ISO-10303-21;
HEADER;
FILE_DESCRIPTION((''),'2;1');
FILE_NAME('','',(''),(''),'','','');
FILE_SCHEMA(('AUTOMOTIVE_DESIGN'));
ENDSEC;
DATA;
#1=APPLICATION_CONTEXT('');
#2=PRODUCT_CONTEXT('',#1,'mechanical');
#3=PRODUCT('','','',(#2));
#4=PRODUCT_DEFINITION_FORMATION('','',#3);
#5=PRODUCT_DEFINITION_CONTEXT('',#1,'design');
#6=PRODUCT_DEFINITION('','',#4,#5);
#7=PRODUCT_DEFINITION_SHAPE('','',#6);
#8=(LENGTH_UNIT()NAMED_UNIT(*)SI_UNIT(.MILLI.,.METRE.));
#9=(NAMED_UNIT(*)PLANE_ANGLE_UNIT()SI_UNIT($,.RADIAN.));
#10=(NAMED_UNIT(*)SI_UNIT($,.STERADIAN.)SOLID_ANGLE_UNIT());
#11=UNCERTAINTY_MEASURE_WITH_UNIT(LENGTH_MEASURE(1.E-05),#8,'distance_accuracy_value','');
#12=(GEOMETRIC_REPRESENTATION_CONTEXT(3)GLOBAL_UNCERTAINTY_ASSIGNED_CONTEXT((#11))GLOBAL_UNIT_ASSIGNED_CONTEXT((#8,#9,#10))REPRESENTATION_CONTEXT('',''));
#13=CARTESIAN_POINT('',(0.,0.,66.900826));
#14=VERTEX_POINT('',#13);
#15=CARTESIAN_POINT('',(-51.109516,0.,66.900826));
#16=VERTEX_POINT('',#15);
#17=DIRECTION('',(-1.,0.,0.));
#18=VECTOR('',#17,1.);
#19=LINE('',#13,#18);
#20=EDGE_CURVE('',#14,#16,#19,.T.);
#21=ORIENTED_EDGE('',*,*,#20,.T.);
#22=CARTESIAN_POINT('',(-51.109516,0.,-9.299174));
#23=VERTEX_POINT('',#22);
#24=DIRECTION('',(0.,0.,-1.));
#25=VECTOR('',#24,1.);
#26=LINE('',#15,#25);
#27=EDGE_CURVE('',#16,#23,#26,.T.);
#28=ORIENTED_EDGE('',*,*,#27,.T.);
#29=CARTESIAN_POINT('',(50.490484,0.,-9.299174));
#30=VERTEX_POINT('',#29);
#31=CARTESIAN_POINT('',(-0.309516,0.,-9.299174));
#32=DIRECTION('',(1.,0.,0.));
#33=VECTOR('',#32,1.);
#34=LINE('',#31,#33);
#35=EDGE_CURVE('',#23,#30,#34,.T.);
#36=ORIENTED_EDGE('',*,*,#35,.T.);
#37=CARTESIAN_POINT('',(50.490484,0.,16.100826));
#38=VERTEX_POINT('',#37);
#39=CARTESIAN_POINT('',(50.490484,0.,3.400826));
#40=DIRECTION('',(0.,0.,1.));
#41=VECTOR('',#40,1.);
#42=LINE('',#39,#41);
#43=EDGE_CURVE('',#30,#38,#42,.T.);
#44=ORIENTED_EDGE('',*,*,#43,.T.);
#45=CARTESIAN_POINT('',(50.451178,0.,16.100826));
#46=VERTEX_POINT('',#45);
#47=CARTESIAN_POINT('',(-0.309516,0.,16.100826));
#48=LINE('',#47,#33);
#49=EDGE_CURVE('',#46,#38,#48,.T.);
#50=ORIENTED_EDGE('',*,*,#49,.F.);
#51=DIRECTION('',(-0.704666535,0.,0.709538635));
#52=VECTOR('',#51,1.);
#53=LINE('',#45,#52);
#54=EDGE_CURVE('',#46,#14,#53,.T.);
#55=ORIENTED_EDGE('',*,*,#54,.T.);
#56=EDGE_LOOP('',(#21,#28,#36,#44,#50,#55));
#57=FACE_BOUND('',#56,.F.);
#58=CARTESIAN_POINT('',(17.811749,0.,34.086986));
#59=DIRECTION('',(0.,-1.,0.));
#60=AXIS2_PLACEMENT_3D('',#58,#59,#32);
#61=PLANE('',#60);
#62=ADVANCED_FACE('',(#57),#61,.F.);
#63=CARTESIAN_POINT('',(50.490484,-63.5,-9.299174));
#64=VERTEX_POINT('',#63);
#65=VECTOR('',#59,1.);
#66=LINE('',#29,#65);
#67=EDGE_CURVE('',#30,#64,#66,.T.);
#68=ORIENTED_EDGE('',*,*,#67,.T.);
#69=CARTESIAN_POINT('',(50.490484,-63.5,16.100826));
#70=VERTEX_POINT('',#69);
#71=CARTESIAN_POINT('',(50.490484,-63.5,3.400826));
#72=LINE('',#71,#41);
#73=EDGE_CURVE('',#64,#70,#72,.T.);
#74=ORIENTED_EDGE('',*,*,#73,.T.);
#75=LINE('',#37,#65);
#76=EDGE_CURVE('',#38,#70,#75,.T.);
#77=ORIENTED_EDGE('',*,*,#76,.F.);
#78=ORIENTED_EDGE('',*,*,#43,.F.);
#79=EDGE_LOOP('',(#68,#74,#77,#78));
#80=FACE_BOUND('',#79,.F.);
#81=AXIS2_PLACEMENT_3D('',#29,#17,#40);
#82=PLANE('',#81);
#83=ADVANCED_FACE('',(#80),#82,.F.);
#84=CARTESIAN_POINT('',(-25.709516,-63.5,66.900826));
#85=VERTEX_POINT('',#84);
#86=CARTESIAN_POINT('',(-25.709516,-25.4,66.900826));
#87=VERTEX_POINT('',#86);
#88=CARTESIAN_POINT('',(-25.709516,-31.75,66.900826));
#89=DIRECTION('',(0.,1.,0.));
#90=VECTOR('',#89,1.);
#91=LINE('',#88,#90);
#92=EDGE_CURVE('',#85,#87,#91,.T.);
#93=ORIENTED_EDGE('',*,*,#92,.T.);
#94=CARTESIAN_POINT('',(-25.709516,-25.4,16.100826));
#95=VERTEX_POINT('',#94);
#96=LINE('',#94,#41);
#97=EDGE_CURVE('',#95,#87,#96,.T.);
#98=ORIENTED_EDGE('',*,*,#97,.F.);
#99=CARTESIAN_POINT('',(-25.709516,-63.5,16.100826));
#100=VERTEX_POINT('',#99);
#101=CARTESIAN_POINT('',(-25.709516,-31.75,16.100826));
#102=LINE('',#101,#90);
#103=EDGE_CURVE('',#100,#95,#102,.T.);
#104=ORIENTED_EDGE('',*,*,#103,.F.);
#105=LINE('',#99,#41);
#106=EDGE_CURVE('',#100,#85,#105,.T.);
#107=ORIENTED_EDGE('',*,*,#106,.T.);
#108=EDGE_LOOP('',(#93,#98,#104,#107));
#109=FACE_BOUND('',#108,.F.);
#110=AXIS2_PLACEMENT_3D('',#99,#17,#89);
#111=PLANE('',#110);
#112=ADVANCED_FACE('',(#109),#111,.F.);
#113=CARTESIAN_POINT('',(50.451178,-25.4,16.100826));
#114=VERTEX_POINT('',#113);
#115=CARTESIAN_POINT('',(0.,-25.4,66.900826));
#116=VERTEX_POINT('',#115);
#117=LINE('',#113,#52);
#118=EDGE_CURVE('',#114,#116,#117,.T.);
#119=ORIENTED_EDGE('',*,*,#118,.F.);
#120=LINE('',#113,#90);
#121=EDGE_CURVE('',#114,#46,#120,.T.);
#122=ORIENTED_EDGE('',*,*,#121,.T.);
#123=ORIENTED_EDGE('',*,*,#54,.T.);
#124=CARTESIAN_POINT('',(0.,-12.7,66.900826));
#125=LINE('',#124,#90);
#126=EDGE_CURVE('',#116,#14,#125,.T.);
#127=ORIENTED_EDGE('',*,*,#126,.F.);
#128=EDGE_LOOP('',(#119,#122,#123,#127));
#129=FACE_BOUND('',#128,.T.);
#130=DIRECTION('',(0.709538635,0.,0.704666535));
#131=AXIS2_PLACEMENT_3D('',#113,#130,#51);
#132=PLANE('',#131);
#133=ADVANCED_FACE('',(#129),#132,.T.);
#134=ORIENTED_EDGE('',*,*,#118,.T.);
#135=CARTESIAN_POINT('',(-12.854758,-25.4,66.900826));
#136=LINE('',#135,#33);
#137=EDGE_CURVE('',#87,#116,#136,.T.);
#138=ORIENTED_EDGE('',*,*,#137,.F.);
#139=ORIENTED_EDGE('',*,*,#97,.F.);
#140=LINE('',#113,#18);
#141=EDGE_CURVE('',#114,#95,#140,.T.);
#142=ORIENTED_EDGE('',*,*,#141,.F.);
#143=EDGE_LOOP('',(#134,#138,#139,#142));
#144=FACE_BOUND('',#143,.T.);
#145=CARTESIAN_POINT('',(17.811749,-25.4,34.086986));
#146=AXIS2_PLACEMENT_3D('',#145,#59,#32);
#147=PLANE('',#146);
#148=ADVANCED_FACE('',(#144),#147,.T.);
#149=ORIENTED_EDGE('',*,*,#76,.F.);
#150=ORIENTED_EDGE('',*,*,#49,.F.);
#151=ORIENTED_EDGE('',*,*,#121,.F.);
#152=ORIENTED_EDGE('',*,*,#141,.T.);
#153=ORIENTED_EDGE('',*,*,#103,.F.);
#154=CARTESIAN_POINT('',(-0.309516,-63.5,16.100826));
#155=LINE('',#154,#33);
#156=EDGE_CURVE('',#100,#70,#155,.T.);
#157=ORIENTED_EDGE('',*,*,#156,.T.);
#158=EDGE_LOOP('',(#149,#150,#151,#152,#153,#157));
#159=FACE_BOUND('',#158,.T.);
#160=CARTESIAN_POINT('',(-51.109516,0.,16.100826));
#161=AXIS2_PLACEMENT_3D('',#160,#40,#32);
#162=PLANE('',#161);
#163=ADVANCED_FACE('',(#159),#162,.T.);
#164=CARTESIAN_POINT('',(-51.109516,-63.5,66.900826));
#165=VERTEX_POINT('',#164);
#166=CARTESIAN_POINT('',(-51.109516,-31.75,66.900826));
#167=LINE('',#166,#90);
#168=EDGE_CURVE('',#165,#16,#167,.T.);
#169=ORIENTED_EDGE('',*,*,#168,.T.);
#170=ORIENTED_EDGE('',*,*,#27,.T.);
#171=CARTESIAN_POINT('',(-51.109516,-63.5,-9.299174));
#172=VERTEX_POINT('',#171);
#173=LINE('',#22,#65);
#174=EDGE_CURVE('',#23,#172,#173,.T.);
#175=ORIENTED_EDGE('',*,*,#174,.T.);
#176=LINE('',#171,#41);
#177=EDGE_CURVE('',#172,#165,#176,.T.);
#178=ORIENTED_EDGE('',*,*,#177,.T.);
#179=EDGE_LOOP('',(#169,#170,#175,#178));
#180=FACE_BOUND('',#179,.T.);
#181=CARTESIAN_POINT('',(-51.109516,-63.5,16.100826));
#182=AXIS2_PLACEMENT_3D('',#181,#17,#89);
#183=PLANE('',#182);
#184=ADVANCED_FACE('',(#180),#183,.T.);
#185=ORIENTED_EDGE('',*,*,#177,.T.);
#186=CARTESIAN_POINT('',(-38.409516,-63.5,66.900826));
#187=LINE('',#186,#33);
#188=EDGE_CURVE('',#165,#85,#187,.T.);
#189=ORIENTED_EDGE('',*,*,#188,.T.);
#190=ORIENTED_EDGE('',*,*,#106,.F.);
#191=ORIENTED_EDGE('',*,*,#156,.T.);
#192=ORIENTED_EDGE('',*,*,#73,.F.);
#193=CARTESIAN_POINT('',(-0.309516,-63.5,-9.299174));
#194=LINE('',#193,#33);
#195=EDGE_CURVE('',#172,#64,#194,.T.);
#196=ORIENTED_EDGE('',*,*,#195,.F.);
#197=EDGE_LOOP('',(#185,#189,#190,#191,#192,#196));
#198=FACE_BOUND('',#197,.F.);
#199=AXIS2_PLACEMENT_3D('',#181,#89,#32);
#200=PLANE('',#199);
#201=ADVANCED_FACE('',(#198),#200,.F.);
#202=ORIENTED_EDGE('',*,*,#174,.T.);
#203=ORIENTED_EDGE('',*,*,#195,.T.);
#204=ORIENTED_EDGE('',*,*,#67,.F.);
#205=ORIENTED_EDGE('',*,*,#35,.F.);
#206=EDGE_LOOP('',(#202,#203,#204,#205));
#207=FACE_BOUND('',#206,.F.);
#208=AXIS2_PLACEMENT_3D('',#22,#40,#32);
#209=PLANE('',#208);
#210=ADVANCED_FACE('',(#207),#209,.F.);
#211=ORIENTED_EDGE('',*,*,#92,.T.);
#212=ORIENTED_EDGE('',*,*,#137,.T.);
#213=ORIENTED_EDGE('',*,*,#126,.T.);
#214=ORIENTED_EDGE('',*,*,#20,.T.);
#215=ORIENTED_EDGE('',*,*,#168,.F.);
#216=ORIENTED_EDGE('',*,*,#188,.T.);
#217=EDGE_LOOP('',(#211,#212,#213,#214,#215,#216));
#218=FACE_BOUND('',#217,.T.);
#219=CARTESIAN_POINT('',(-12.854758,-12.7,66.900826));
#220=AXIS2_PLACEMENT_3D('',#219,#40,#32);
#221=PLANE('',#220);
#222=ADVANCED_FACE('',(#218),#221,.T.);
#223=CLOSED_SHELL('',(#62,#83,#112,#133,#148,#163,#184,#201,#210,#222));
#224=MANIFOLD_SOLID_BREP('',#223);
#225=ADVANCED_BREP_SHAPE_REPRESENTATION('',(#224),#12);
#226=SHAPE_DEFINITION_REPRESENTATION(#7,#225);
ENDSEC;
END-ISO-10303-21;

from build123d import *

# Parameters (mm, degrees)
F0_W     = 101.6
F0_H     = 25.4
F1_DEPTH = 63.5
F2_W     = 25.4
F2_H     = 63.5
F3_DEPTH = 50.8
F4_W     = 25.709516
F4_H     = 25.4
F5_DEPTH = 50.8
F7_DEPTH = 25.4


with BuildPart() as f1:
    # F0 (on Front) → F1 (new body)
    with BuildSketch(Plane.XZ):
        with Locations((-0.309516, 3.400826)):
            Rectangle(F0_W, F0_H)
    extrude(amount=F1_DEPTH)

    # F2 (on face) → F3 (join)
    with BuildSketch(Plane.XY.offset(16.100826)):
        with Locations((-38.409516, -31.75)):
            Rectangle(F2_W, F2_H)
    extrude(amount=F3_DEPTH)

    # F4 (on face) → F5 (join)
    with BuildSketch(Plane.XY.offset(16.100826)):
        with Locations((-12.854758, -12.7)):
            Rectangle(F4_W, F4_H)
    extrude(amount=F5_DEPTH)

    # F6 (on face) → F7 (join)
    with BuildSketch(Plane.XZ.offset(25.4)):
        Polygon((50.451178, 16.100826), (0, 66.900826), (0, 16.100826), align=None)
    extrude(amount=-F7_DEPTH)


solid = f1.part
